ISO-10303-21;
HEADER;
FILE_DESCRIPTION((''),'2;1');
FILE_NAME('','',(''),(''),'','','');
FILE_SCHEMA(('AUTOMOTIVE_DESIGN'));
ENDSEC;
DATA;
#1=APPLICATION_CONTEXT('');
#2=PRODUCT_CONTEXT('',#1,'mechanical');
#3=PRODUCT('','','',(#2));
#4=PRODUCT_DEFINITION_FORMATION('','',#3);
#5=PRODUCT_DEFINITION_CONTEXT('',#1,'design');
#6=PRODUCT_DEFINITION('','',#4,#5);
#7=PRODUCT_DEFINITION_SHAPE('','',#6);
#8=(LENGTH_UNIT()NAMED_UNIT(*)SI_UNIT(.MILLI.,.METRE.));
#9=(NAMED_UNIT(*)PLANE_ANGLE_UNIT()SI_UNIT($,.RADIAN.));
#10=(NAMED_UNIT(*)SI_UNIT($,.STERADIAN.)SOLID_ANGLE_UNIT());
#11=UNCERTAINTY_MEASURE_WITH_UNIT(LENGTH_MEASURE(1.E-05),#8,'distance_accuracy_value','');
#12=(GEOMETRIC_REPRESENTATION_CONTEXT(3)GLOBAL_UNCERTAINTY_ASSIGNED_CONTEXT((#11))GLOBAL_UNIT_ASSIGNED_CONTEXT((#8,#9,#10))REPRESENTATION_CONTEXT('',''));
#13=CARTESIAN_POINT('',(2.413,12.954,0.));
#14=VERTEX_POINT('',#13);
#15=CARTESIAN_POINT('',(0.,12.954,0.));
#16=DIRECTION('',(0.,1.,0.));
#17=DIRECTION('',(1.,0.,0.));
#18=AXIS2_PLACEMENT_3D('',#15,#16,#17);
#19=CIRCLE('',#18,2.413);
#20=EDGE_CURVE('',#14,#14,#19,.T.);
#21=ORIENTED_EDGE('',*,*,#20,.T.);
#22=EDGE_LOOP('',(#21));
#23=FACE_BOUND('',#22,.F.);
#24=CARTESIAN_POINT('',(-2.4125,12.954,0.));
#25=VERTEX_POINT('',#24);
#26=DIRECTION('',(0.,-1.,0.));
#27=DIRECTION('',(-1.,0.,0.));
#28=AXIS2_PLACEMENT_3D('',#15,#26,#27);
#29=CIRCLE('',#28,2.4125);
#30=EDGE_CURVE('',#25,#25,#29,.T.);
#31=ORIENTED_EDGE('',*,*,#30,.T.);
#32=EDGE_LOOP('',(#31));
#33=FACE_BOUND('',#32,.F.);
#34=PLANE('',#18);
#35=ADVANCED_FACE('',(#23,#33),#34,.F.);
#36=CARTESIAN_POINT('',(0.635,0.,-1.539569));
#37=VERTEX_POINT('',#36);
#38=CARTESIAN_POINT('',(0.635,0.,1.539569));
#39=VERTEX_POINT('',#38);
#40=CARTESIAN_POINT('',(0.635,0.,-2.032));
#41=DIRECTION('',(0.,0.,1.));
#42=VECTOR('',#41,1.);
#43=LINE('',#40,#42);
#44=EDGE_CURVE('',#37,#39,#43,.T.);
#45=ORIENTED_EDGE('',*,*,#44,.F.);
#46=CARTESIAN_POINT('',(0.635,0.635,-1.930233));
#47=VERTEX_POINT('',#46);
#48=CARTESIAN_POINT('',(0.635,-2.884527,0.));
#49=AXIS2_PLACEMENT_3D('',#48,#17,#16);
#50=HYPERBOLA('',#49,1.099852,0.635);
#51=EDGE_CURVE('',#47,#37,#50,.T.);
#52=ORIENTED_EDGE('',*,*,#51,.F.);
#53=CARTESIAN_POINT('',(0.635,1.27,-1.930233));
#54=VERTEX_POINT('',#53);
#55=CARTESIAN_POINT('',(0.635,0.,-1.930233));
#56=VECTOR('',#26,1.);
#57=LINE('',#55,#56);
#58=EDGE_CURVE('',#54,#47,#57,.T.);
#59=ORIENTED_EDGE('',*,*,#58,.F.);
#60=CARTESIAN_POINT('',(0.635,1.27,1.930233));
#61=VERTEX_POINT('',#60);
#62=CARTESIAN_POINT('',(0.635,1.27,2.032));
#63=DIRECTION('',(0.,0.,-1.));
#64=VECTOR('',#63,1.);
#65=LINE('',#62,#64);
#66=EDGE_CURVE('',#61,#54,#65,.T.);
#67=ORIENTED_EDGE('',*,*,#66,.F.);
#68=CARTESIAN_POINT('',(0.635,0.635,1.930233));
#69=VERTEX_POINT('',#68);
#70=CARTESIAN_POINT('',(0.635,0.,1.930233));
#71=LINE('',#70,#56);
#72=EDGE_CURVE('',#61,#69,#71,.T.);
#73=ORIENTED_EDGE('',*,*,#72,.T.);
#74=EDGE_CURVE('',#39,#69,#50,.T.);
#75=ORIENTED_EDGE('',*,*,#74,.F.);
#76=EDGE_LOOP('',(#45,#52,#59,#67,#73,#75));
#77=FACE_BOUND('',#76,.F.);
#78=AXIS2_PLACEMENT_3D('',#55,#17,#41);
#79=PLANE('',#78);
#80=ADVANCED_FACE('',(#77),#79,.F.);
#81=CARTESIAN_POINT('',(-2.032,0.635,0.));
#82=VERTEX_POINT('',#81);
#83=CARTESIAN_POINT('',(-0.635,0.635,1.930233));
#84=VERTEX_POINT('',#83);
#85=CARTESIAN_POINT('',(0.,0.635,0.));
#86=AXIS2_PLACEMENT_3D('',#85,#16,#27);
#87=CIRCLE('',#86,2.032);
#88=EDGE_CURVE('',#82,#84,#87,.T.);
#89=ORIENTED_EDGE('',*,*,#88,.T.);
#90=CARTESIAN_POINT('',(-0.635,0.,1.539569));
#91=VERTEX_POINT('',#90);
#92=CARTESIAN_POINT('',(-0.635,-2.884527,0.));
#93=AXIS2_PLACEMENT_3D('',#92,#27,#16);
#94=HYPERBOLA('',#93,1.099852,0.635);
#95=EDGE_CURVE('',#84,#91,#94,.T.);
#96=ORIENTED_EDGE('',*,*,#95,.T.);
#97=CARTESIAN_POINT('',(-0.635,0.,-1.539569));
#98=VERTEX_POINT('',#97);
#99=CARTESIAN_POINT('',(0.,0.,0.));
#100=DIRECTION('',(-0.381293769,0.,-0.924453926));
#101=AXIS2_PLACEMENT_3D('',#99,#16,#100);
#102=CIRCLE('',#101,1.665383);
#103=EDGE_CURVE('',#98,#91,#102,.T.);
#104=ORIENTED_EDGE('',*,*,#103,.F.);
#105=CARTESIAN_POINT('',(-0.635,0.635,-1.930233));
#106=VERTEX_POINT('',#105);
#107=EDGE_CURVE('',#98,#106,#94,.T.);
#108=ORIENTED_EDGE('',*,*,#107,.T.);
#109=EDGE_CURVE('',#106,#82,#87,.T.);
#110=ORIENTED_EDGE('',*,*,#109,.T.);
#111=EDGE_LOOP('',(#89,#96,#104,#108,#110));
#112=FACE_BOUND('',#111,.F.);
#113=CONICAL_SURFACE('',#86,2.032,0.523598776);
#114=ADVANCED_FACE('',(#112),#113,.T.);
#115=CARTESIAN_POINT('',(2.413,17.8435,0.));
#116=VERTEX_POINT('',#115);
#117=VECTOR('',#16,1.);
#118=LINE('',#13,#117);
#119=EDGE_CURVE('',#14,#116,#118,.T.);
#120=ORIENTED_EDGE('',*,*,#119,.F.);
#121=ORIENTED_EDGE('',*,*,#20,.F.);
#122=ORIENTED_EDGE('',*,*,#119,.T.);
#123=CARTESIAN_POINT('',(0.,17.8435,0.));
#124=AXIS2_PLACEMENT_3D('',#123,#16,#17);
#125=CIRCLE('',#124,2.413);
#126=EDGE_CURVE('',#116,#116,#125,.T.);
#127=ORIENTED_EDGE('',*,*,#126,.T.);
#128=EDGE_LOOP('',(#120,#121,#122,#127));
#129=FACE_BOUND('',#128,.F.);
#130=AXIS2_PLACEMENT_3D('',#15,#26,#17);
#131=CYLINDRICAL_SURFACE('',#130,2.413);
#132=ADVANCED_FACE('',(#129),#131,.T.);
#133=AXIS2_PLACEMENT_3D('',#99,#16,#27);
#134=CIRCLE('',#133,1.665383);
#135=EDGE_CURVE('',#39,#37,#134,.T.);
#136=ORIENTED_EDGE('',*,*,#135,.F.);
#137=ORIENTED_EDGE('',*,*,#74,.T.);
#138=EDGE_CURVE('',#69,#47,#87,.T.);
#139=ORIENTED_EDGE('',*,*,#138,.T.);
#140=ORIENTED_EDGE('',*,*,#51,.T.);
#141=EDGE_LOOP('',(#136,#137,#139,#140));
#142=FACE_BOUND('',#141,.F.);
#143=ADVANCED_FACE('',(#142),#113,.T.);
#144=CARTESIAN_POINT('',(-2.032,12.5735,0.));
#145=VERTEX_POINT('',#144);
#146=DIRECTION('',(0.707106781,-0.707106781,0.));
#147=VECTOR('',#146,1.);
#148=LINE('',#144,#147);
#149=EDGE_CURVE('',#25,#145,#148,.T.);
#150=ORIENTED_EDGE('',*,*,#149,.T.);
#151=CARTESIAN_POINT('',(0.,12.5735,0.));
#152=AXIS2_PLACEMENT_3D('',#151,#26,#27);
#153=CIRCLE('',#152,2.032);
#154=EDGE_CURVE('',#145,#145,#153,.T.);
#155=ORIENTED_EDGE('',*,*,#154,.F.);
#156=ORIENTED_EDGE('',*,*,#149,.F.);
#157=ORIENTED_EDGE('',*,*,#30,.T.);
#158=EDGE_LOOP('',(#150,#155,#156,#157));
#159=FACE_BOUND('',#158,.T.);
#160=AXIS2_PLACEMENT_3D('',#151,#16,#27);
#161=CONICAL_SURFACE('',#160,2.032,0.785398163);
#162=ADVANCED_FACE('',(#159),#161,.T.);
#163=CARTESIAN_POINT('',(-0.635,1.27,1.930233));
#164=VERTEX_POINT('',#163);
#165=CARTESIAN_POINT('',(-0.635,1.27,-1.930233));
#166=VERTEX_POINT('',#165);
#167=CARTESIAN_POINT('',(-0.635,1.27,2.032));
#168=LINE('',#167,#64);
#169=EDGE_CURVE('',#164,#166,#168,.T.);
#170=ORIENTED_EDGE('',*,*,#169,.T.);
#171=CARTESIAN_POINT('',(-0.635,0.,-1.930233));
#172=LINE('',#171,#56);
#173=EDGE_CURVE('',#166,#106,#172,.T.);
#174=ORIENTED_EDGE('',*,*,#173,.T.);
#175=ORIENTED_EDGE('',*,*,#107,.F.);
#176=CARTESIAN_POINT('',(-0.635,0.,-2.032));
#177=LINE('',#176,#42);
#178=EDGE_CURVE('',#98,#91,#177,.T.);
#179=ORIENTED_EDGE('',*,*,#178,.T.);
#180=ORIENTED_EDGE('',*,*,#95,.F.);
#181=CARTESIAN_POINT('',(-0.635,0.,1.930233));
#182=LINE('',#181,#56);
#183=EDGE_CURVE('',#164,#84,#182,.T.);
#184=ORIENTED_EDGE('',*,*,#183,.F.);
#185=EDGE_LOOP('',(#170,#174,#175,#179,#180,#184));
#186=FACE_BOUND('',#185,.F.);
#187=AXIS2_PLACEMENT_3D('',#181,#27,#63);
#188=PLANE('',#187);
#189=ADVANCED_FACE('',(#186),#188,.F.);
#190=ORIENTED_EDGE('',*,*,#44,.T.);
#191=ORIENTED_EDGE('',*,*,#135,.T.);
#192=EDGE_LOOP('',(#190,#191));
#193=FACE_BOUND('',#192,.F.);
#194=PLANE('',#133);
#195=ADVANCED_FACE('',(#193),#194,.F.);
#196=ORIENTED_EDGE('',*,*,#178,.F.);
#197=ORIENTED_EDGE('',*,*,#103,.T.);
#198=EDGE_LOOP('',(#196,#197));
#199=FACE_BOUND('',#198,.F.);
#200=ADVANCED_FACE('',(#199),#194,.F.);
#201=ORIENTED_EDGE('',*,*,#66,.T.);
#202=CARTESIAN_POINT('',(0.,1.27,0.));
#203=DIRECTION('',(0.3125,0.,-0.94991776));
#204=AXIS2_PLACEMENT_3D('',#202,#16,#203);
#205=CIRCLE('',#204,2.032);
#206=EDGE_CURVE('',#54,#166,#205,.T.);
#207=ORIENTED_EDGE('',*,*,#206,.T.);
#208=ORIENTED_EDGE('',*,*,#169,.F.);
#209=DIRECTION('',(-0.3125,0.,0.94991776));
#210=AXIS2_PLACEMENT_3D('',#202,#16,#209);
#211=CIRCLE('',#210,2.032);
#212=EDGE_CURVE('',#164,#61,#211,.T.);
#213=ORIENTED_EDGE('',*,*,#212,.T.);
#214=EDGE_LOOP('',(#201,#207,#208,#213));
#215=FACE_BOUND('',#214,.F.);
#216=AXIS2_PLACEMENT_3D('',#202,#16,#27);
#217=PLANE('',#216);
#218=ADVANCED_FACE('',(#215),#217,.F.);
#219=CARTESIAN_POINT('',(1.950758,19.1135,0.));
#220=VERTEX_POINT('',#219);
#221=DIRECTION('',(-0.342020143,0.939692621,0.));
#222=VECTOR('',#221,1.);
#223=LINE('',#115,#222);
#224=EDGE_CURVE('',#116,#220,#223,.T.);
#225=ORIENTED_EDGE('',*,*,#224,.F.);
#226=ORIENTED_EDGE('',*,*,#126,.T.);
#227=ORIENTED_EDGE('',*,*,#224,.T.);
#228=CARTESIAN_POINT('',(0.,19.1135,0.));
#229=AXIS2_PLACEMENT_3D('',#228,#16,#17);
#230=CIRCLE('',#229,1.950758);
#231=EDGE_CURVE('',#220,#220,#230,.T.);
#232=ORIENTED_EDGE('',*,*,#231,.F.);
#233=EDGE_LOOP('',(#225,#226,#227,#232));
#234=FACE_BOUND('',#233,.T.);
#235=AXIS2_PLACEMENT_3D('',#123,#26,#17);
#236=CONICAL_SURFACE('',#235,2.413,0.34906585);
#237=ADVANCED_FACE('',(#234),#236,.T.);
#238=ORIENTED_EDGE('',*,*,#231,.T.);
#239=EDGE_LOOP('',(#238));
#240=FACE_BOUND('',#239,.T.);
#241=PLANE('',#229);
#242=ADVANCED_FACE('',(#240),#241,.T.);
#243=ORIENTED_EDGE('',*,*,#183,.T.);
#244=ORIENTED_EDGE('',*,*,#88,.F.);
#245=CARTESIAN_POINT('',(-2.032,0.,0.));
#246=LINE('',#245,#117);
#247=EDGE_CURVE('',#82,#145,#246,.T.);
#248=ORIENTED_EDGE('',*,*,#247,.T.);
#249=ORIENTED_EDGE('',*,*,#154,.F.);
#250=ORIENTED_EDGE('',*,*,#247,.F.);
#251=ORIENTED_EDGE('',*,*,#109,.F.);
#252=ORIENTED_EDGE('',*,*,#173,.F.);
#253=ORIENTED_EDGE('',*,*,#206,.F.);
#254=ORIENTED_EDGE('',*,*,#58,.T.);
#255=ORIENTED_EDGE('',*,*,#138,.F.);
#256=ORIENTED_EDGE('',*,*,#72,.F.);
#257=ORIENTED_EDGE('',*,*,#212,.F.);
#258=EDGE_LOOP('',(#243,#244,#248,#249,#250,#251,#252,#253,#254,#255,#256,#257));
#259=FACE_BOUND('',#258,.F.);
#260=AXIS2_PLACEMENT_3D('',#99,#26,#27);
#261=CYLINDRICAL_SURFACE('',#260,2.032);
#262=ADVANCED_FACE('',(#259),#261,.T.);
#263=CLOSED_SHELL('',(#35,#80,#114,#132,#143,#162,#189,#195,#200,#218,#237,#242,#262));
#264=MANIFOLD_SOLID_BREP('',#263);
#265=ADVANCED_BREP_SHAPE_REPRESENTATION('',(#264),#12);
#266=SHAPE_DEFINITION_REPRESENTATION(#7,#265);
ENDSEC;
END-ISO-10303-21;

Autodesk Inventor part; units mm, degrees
ref_plane "YZ Plane" through (0, 0, 0) normal (1, 0, 0) x (0, 1, 0)
ref_plane "XZ Plane" through (0, 0, 0) normal (0, 1, 0) x (-1, 0, 0)
ref_plane "XY Plane" through (0, 0, 0) normal (0, 0, 1) x (1, 0, 0)
sketch "Sketch1" plane through (0, 0, 0) normal (0, 1, 0) x (-1, 0, 0)
  circle A0 centre (0, 0) radius 2.032
  line L0 (-0.635, 2.032) -> (0.635, 2.032)
  line L1 (0.635, 2.032) -> (0.635, -2.032)
  line L2 (0.635, -2.032) -> (-0.635, -2.032)
  line L3 (-0.635, -2.032) -> (-0.635, 2.032)
  line L4 (-0.635, 2.032) -> (0.635, -2.032) construction
  line L5 (0.635, 2.032) -> (-0.635, -2.032) construction
  dimension "d0" = 4.064
  dimension "d10" = 1.27
extrude "Extrusion1" add sketch "Sketch1" along normal blind 12.954 contours A0 L1 | L1 A0 L3 | L3 A0
sketch "Sketch2" plane through (0, 12.954, 0) normal (0, 1, 0) x (1, 0, 0)
  circle A0 centre (0, 0) radius 2.413
  dimension "d5" = 4.826
extrude "Extrusion2" add sketch "Sketch2" along normal blind 6.1595
thread "Thread2" size "10-48 UNS" class "2A" standard "ANSI Unified Screw Threads" length 19.1262
chamfer "Chamfer1" distance 0.381 angle 45 1 edges at (2.032, 12.954, 0)
chamfer "Chamfer2" distance 1.27 angle 20 1 edges at (-2.413, 19.1135, 0) measured on face at (2.4052, 17.0603, 0.1942)
chamfer "Chamfer3" distance 0.635 angle 30 1 edges at (2.032, 0, 0) measured on face at (-2.0254, 8.3823, -0.1635)
extrude "Extrusion3" cut sketch "Sketch1" along normal blind 1.27 contours L1 A0 L3 | A0 L0 L1 | L1 L2 A0 | A0 L3 L0 | L2 L3 A0
properties part number "0.16 Shaft" material "Stainless Steel"
